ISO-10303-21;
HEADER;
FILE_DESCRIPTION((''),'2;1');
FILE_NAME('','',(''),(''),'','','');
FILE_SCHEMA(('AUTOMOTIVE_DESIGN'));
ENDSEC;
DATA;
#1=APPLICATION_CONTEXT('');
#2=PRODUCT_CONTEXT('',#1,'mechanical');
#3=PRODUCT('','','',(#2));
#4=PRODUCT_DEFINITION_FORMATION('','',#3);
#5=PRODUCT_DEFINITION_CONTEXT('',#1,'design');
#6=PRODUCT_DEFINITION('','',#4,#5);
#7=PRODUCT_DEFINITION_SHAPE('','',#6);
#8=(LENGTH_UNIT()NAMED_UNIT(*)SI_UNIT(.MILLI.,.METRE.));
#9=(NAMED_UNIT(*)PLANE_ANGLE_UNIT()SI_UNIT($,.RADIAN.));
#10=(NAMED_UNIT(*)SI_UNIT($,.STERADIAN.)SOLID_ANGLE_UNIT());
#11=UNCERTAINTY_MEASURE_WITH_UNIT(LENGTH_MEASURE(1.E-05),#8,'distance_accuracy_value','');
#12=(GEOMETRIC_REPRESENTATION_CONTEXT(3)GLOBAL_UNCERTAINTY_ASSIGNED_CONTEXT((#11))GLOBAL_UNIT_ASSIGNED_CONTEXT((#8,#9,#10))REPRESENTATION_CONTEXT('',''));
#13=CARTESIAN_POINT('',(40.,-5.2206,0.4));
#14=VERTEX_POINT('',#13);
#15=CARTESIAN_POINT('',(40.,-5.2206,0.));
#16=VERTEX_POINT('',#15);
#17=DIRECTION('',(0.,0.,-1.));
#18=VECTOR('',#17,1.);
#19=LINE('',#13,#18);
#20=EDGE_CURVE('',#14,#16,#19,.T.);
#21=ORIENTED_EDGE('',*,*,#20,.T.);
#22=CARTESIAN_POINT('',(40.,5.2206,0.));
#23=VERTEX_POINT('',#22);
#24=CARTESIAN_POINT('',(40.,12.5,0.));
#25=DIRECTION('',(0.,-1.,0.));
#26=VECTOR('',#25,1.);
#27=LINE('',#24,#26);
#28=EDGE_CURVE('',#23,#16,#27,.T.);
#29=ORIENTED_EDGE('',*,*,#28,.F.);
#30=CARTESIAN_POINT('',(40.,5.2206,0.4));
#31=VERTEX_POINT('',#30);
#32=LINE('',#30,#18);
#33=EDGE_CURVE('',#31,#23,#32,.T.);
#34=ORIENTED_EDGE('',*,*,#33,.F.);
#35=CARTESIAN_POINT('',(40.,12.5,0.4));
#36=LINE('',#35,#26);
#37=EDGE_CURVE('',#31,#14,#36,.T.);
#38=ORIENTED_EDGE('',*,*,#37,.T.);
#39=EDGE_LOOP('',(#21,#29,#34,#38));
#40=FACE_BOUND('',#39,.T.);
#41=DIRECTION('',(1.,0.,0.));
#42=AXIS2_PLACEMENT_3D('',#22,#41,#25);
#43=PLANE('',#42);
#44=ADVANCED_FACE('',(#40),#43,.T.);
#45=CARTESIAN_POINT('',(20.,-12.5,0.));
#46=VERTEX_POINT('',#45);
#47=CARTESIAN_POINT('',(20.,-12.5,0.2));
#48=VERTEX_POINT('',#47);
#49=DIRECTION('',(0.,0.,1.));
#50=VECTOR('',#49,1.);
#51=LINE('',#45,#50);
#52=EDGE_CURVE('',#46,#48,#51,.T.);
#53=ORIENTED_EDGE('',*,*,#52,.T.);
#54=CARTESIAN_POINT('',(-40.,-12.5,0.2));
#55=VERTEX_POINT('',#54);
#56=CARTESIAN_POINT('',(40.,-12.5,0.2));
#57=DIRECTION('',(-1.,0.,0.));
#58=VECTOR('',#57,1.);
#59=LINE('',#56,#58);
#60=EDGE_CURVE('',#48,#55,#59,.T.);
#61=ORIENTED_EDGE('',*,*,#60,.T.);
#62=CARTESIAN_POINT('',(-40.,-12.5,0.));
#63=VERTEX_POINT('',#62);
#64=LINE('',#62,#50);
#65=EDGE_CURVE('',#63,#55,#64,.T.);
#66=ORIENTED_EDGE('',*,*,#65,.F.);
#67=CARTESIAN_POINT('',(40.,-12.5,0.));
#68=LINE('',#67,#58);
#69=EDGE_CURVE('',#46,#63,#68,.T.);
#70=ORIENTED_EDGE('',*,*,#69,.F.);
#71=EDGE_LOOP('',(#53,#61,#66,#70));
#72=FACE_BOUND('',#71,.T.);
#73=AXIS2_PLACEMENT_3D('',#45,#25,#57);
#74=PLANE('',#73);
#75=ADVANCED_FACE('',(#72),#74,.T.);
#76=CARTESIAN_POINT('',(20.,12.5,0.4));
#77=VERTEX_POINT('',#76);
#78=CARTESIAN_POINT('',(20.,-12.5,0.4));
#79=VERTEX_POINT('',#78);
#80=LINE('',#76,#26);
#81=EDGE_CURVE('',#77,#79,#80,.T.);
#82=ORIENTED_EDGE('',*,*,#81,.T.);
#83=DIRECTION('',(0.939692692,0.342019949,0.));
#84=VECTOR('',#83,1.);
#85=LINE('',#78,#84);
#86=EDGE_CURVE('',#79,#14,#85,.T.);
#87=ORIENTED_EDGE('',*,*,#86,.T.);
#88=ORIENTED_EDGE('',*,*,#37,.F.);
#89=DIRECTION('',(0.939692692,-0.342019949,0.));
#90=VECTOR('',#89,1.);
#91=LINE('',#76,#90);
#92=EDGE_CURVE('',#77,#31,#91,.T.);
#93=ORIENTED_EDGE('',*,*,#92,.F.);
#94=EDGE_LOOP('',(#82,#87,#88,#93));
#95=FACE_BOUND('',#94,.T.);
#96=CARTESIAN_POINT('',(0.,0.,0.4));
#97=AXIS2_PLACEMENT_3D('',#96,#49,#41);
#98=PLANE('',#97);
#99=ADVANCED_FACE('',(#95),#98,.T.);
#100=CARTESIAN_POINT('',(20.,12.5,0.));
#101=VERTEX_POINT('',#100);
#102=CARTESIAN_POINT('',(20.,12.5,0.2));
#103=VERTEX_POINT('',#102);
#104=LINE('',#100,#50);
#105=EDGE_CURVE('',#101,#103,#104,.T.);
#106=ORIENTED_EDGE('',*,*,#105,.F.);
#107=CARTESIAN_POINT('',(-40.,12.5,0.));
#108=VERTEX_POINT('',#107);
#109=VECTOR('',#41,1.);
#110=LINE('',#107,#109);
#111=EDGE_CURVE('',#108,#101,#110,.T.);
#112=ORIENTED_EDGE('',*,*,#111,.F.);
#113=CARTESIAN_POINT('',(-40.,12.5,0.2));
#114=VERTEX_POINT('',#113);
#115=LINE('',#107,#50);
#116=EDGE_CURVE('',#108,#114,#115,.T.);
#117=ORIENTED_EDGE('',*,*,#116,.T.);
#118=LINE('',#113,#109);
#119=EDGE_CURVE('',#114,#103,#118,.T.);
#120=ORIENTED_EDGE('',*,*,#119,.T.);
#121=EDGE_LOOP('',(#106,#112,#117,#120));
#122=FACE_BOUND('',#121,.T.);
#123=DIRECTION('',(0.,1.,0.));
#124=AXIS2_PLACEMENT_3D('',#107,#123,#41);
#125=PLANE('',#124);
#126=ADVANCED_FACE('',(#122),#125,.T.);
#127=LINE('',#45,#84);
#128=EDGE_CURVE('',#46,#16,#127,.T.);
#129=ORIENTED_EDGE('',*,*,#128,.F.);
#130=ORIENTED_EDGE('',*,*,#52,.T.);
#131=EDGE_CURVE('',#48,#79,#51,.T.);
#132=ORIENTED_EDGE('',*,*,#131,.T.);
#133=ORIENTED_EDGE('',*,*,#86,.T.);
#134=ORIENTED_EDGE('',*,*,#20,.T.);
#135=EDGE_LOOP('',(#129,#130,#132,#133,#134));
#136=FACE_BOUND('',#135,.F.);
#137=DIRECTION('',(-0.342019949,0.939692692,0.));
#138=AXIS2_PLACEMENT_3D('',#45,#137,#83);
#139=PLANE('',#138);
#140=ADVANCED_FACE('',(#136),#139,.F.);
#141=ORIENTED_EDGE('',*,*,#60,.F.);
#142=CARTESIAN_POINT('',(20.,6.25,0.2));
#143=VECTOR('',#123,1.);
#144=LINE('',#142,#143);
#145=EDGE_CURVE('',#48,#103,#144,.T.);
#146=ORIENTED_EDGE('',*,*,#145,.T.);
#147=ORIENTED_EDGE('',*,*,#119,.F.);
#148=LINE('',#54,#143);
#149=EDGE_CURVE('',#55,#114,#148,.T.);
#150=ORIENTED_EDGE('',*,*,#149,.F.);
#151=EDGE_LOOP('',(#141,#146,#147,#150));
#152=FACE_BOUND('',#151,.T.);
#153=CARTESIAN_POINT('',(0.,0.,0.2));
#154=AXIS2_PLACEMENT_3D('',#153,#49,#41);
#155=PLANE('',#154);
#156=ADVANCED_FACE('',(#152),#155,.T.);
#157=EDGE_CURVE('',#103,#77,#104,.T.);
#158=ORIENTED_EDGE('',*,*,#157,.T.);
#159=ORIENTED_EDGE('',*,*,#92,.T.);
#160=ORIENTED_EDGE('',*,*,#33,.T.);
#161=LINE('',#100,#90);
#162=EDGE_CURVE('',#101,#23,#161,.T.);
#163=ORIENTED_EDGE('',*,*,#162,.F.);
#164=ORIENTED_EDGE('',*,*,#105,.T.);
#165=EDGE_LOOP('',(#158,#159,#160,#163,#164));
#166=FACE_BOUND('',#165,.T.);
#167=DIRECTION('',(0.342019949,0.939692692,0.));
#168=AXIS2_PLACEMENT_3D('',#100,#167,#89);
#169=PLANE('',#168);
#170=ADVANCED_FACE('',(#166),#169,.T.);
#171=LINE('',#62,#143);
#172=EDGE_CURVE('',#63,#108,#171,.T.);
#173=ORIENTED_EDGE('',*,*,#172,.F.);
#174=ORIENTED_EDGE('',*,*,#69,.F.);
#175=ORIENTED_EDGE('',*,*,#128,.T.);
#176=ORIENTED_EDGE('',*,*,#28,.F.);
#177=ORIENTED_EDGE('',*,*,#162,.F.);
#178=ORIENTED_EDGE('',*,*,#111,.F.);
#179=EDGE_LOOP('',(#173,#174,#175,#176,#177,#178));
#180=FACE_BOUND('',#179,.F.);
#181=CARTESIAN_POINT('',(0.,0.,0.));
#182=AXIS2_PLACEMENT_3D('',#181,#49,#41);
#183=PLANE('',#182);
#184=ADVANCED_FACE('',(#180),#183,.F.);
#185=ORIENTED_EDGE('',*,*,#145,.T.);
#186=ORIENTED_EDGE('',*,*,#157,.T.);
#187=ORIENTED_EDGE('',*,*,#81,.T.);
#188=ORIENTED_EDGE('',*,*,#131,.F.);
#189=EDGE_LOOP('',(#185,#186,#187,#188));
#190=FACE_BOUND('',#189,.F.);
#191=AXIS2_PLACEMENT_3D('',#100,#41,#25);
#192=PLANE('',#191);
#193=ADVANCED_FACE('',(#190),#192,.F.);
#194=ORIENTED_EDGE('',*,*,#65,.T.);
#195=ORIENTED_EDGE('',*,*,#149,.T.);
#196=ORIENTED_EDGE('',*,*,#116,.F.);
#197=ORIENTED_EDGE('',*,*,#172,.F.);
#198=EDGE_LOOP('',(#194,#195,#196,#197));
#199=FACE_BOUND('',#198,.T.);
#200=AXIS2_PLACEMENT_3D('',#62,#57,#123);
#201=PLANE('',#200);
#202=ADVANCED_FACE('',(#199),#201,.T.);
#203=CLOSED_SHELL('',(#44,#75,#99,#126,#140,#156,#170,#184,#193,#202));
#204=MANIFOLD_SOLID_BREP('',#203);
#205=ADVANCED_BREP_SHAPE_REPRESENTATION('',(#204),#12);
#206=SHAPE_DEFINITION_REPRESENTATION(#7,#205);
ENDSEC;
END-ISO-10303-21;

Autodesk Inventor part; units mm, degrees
ref_plane "YZ Plane" through (0, 0, 0) normal (1, 0, 0) x (0, 1, 0)
ref_plane "XZ Plane" through (0, 0, 0) normal (0, 1, 0) x (-1, 0, 0)
ref_plane "XY Plane" through (0, 0, 0) normal (0, 0, 1) x (1, 0, 0)
sketch "Sketch1" plane through (0, 0, 0) normal (0, 0, 1) x (1, 0, 0)
  line L0 (-40, 12.5) -> (40, 12.5)
  line L1 (40, 12.5) -> (40, -12.5)
  line L2 (40, -12.5) -> (-40, -12.5)
  line L3 (-40, -12.5) -> (-40, 12.5)
  line L4 (-58.4065, 0) -> (96.114, 0) construction
  line L5 (0, 47.121) -> (0, -49.5625) construction
  line L6 (20, 12.5) -> (20, -12.5)
  line L7 (20, 12.5) -> (40, 5.2206)
  line L8 (20, -12.5) -> (40, -5.2206)
  point P0 (0, 0)
  point P1 (0, 12.5)
  point P2 (40, 0)
  dimension "d0" = 80
  dimension "d1" = 25
  dimension "d11" = 20
  dimension "d16" = 70
  dimension "d17" = 70
extrude "Extrusion4" add sketch "Sketch1" along normal blind 0.2 contours L0 L6 L2 L3 | L7 L1 L8 L6
extrude "Extrusion5" add sketch "Sketch1" along normal blind 0.4 contours L7 L1 L8 L6
equation "\"d18\" = material"
equation "\"d20\" = 2 * material"
equation "\"material\" = 0.2"
properties part number "BandBack"
